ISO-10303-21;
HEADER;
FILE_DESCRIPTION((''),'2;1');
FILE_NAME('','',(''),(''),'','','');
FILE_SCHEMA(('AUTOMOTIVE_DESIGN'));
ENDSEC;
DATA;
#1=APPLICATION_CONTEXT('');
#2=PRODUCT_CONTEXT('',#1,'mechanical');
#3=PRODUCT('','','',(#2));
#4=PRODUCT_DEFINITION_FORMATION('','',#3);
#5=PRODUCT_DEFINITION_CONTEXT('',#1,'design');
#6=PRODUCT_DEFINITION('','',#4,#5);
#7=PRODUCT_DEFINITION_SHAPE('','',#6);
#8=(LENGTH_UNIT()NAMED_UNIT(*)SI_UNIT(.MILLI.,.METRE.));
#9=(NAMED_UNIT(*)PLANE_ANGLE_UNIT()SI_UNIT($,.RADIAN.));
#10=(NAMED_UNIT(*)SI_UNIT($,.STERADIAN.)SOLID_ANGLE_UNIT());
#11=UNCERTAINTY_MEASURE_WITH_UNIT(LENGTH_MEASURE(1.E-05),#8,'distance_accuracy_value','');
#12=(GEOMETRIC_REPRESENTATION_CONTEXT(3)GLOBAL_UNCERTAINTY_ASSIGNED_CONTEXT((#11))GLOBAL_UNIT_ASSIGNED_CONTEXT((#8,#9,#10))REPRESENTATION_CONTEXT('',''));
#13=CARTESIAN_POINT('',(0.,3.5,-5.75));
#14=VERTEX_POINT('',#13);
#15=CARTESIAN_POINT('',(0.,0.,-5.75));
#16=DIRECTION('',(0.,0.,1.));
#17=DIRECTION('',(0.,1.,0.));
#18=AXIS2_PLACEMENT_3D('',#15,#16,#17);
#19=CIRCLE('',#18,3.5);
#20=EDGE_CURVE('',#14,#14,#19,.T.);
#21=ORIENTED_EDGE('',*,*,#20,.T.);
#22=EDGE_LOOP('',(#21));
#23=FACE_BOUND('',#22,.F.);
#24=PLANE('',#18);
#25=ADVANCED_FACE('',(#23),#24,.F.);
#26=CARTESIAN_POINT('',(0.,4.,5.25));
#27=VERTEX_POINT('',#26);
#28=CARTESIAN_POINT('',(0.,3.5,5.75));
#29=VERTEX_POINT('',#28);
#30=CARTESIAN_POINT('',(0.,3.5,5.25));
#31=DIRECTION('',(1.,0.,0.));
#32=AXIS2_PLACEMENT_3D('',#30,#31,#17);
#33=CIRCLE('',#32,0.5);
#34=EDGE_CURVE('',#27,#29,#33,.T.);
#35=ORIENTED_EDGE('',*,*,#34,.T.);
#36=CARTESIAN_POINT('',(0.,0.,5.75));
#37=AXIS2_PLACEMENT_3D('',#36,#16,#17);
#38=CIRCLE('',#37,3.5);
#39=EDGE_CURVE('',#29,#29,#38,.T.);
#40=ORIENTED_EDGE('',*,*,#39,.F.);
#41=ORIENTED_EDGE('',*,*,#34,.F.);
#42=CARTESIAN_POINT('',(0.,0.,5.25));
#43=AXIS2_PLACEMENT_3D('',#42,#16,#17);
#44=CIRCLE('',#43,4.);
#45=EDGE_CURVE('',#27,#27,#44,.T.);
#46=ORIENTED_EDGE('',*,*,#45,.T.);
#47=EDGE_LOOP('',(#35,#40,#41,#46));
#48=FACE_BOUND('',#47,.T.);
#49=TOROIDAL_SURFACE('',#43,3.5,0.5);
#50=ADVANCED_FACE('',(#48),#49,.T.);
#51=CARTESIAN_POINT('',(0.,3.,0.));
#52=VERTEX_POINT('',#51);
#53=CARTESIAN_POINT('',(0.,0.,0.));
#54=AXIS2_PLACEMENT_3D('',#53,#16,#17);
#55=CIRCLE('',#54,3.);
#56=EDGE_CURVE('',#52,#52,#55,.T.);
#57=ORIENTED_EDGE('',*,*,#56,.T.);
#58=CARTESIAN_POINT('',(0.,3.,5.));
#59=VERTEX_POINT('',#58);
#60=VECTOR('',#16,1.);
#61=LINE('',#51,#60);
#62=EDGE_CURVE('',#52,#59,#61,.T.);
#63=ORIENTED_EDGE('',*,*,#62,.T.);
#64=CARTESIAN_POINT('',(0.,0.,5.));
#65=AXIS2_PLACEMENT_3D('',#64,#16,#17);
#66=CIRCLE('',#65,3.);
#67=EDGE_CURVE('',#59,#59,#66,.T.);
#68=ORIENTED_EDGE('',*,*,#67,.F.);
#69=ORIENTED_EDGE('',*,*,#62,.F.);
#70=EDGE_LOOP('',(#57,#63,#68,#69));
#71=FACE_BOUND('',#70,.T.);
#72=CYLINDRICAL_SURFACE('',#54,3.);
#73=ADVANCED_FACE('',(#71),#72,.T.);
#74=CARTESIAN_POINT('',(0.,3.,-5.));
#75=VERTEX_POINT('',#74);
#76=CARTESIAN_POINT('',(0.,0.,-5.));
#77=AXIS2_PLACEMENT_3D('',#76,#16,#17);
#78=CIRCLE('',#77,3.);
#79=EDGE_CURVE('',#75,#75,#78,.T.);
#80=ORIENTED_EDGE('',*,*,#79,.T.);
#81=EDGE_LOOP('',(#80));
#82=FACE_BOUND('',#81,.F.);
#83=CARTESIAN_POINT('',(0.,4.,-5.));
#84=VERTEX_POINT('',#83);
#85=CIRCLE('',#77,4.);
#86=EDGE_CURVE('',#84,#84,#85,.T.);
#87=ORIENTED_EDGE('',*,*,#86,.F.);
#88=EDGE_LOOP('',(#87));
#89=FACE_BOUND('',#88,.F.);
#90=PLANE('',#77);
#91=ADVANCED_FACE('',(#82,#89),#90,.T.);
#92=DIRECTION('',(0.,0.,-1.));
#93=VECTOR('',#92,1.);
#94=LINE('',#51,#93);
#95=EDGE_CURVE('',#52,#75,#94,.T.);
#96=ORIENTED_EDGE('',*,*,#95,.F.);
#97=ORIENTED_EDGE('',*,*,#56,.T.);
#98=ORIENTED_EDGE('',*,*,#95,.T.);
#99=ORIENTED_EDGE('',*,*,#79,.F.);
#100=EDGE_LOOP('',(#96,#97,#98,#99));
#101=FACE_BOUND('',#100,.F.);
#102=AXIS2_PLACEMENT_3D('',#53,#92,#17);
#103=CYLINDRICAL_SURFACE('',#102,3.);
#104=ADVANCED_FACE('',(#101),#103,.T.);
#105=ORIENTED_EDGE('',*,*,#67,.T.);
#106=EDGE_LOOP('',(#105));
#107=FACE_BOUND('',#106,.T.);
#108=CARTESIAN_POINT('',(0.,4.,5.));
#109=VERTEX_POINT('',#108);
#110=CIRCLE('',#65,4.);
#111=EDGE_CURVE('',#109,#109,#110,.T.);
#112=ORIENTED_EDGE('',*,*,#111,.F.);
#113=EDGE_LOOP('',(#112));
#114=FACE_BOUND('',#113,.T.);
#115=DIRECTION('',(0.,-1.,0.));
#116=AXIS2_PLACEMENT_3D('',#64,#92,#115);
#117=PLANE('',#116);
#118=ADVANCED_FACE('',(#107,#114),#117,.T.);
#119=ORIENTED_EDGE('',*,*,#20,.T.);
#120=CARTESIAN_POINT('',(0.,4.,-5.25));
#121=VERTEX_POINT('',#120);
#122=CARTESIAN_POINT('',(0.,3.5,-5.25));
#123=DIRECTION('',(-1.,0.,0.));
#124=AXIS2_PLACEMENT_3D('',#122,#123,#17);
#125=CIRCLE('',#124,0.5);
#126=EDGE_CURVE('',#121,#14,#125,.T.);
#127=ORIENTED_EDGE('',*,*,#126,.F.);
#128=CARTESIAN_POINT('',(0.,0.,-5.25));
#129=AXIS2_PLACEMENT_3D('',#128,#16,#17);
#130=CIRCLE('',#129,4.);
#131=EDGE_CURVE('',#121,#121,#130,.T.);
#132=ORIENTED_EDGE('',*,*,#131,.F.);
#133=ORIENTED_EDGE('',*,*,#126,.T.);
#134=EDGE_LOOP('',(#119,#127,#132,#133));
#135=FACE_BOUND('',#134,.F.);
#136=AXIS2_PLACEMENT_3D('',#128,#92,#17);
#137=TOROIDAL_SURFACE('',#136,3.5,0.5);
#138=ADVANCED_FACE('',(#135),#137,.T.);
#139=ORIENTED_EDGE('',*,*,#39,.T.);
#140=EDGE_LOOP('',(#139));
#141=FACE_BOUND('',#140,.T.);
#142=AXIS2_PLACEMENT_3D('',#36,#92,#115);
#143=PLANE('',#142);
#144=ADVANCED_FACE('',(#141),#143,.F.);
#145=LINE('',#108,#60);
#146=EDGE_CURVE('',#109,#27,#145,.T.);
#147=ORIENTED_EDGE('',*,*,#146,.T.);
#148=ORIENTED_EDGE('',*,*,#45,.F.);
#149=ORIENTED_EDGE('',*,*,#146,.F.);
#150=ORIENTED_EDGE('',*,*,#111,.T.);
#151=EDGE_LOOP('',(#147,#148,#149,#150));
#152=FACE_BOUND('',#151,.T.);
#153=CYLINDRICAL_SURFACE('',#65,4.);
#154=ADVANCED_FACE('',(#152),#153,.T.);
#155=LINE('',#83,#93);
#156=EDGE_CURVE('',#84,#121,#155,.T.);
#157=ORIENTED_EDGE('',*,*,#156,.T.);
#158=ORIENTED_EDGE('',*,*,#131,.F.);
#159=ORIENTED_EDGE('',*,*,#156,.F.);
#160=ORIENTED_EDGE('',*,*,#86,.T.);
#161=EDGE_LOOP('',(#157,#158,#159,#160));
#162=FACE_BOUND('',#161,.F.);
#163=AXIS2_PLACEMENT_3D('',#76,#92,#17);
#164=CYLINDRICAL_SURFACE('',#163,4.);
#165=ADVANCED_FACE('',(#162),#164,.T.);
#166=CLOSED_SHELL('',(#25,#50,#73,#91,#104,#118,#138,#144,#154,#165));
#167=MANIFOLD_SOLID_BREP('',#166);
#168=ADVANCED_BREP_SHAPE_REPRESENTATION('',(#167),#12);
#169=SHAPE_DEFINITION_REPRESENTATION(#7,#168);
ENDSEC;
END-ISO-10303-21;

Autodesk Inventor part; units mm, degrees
ref_plane "YZ Plane" through (0, 0, 0) normal (1, 0, 0) x (0, 1, 0)
ref_plane "XZ Plane" through (0, 0, 0) normal (0, 1, 0) x (-1, 0, 0)
ref_plane "XY Plane" through (0, 0, 0) normal (0, 0, 1) x (1, 0, 0)
sketch "Sketch4" plane through (0, 0, 0) normal (1, 0, 0) x (0, 1, 0)
  line L0 (0, 0) -> (3, 0)
  line L1 (3, 0) -> (3, -5)
  line L2 (3, -5) -> (4, -5)
  line L3 (4, -5) -> (4, -5.75)
  line L4 (4, -5.75) -> (0, -5.75)
  line L5 (0, -5.75) -> (0, 0)
  dimension "d32" = 3
  dimension "d33" = 5
  dimension "d35" = 4
  dimension "d36" = 0.75
revolve "Revolution2" add sketch "Sketch4" angle 360 about axis through (0, 0, -5.75) along (0, 0, 1)
fillet "Fillet1" radius 0.5 1 edges at (0, -4, -5.75)
mirror "Mirror1" about plane through (0, 3, 0) normal (0, 0, 1) of "Revolution2", "Fillet1"
sketch "Boceto5" plane through (0, 0, 5.75) normal (0, 0, 1) x (1, 0, 0)
  circle A0 centre (0, 0) radius 3 projected
properties part number "Sketch" material "Acero, alta resistencia, aleación baja"
